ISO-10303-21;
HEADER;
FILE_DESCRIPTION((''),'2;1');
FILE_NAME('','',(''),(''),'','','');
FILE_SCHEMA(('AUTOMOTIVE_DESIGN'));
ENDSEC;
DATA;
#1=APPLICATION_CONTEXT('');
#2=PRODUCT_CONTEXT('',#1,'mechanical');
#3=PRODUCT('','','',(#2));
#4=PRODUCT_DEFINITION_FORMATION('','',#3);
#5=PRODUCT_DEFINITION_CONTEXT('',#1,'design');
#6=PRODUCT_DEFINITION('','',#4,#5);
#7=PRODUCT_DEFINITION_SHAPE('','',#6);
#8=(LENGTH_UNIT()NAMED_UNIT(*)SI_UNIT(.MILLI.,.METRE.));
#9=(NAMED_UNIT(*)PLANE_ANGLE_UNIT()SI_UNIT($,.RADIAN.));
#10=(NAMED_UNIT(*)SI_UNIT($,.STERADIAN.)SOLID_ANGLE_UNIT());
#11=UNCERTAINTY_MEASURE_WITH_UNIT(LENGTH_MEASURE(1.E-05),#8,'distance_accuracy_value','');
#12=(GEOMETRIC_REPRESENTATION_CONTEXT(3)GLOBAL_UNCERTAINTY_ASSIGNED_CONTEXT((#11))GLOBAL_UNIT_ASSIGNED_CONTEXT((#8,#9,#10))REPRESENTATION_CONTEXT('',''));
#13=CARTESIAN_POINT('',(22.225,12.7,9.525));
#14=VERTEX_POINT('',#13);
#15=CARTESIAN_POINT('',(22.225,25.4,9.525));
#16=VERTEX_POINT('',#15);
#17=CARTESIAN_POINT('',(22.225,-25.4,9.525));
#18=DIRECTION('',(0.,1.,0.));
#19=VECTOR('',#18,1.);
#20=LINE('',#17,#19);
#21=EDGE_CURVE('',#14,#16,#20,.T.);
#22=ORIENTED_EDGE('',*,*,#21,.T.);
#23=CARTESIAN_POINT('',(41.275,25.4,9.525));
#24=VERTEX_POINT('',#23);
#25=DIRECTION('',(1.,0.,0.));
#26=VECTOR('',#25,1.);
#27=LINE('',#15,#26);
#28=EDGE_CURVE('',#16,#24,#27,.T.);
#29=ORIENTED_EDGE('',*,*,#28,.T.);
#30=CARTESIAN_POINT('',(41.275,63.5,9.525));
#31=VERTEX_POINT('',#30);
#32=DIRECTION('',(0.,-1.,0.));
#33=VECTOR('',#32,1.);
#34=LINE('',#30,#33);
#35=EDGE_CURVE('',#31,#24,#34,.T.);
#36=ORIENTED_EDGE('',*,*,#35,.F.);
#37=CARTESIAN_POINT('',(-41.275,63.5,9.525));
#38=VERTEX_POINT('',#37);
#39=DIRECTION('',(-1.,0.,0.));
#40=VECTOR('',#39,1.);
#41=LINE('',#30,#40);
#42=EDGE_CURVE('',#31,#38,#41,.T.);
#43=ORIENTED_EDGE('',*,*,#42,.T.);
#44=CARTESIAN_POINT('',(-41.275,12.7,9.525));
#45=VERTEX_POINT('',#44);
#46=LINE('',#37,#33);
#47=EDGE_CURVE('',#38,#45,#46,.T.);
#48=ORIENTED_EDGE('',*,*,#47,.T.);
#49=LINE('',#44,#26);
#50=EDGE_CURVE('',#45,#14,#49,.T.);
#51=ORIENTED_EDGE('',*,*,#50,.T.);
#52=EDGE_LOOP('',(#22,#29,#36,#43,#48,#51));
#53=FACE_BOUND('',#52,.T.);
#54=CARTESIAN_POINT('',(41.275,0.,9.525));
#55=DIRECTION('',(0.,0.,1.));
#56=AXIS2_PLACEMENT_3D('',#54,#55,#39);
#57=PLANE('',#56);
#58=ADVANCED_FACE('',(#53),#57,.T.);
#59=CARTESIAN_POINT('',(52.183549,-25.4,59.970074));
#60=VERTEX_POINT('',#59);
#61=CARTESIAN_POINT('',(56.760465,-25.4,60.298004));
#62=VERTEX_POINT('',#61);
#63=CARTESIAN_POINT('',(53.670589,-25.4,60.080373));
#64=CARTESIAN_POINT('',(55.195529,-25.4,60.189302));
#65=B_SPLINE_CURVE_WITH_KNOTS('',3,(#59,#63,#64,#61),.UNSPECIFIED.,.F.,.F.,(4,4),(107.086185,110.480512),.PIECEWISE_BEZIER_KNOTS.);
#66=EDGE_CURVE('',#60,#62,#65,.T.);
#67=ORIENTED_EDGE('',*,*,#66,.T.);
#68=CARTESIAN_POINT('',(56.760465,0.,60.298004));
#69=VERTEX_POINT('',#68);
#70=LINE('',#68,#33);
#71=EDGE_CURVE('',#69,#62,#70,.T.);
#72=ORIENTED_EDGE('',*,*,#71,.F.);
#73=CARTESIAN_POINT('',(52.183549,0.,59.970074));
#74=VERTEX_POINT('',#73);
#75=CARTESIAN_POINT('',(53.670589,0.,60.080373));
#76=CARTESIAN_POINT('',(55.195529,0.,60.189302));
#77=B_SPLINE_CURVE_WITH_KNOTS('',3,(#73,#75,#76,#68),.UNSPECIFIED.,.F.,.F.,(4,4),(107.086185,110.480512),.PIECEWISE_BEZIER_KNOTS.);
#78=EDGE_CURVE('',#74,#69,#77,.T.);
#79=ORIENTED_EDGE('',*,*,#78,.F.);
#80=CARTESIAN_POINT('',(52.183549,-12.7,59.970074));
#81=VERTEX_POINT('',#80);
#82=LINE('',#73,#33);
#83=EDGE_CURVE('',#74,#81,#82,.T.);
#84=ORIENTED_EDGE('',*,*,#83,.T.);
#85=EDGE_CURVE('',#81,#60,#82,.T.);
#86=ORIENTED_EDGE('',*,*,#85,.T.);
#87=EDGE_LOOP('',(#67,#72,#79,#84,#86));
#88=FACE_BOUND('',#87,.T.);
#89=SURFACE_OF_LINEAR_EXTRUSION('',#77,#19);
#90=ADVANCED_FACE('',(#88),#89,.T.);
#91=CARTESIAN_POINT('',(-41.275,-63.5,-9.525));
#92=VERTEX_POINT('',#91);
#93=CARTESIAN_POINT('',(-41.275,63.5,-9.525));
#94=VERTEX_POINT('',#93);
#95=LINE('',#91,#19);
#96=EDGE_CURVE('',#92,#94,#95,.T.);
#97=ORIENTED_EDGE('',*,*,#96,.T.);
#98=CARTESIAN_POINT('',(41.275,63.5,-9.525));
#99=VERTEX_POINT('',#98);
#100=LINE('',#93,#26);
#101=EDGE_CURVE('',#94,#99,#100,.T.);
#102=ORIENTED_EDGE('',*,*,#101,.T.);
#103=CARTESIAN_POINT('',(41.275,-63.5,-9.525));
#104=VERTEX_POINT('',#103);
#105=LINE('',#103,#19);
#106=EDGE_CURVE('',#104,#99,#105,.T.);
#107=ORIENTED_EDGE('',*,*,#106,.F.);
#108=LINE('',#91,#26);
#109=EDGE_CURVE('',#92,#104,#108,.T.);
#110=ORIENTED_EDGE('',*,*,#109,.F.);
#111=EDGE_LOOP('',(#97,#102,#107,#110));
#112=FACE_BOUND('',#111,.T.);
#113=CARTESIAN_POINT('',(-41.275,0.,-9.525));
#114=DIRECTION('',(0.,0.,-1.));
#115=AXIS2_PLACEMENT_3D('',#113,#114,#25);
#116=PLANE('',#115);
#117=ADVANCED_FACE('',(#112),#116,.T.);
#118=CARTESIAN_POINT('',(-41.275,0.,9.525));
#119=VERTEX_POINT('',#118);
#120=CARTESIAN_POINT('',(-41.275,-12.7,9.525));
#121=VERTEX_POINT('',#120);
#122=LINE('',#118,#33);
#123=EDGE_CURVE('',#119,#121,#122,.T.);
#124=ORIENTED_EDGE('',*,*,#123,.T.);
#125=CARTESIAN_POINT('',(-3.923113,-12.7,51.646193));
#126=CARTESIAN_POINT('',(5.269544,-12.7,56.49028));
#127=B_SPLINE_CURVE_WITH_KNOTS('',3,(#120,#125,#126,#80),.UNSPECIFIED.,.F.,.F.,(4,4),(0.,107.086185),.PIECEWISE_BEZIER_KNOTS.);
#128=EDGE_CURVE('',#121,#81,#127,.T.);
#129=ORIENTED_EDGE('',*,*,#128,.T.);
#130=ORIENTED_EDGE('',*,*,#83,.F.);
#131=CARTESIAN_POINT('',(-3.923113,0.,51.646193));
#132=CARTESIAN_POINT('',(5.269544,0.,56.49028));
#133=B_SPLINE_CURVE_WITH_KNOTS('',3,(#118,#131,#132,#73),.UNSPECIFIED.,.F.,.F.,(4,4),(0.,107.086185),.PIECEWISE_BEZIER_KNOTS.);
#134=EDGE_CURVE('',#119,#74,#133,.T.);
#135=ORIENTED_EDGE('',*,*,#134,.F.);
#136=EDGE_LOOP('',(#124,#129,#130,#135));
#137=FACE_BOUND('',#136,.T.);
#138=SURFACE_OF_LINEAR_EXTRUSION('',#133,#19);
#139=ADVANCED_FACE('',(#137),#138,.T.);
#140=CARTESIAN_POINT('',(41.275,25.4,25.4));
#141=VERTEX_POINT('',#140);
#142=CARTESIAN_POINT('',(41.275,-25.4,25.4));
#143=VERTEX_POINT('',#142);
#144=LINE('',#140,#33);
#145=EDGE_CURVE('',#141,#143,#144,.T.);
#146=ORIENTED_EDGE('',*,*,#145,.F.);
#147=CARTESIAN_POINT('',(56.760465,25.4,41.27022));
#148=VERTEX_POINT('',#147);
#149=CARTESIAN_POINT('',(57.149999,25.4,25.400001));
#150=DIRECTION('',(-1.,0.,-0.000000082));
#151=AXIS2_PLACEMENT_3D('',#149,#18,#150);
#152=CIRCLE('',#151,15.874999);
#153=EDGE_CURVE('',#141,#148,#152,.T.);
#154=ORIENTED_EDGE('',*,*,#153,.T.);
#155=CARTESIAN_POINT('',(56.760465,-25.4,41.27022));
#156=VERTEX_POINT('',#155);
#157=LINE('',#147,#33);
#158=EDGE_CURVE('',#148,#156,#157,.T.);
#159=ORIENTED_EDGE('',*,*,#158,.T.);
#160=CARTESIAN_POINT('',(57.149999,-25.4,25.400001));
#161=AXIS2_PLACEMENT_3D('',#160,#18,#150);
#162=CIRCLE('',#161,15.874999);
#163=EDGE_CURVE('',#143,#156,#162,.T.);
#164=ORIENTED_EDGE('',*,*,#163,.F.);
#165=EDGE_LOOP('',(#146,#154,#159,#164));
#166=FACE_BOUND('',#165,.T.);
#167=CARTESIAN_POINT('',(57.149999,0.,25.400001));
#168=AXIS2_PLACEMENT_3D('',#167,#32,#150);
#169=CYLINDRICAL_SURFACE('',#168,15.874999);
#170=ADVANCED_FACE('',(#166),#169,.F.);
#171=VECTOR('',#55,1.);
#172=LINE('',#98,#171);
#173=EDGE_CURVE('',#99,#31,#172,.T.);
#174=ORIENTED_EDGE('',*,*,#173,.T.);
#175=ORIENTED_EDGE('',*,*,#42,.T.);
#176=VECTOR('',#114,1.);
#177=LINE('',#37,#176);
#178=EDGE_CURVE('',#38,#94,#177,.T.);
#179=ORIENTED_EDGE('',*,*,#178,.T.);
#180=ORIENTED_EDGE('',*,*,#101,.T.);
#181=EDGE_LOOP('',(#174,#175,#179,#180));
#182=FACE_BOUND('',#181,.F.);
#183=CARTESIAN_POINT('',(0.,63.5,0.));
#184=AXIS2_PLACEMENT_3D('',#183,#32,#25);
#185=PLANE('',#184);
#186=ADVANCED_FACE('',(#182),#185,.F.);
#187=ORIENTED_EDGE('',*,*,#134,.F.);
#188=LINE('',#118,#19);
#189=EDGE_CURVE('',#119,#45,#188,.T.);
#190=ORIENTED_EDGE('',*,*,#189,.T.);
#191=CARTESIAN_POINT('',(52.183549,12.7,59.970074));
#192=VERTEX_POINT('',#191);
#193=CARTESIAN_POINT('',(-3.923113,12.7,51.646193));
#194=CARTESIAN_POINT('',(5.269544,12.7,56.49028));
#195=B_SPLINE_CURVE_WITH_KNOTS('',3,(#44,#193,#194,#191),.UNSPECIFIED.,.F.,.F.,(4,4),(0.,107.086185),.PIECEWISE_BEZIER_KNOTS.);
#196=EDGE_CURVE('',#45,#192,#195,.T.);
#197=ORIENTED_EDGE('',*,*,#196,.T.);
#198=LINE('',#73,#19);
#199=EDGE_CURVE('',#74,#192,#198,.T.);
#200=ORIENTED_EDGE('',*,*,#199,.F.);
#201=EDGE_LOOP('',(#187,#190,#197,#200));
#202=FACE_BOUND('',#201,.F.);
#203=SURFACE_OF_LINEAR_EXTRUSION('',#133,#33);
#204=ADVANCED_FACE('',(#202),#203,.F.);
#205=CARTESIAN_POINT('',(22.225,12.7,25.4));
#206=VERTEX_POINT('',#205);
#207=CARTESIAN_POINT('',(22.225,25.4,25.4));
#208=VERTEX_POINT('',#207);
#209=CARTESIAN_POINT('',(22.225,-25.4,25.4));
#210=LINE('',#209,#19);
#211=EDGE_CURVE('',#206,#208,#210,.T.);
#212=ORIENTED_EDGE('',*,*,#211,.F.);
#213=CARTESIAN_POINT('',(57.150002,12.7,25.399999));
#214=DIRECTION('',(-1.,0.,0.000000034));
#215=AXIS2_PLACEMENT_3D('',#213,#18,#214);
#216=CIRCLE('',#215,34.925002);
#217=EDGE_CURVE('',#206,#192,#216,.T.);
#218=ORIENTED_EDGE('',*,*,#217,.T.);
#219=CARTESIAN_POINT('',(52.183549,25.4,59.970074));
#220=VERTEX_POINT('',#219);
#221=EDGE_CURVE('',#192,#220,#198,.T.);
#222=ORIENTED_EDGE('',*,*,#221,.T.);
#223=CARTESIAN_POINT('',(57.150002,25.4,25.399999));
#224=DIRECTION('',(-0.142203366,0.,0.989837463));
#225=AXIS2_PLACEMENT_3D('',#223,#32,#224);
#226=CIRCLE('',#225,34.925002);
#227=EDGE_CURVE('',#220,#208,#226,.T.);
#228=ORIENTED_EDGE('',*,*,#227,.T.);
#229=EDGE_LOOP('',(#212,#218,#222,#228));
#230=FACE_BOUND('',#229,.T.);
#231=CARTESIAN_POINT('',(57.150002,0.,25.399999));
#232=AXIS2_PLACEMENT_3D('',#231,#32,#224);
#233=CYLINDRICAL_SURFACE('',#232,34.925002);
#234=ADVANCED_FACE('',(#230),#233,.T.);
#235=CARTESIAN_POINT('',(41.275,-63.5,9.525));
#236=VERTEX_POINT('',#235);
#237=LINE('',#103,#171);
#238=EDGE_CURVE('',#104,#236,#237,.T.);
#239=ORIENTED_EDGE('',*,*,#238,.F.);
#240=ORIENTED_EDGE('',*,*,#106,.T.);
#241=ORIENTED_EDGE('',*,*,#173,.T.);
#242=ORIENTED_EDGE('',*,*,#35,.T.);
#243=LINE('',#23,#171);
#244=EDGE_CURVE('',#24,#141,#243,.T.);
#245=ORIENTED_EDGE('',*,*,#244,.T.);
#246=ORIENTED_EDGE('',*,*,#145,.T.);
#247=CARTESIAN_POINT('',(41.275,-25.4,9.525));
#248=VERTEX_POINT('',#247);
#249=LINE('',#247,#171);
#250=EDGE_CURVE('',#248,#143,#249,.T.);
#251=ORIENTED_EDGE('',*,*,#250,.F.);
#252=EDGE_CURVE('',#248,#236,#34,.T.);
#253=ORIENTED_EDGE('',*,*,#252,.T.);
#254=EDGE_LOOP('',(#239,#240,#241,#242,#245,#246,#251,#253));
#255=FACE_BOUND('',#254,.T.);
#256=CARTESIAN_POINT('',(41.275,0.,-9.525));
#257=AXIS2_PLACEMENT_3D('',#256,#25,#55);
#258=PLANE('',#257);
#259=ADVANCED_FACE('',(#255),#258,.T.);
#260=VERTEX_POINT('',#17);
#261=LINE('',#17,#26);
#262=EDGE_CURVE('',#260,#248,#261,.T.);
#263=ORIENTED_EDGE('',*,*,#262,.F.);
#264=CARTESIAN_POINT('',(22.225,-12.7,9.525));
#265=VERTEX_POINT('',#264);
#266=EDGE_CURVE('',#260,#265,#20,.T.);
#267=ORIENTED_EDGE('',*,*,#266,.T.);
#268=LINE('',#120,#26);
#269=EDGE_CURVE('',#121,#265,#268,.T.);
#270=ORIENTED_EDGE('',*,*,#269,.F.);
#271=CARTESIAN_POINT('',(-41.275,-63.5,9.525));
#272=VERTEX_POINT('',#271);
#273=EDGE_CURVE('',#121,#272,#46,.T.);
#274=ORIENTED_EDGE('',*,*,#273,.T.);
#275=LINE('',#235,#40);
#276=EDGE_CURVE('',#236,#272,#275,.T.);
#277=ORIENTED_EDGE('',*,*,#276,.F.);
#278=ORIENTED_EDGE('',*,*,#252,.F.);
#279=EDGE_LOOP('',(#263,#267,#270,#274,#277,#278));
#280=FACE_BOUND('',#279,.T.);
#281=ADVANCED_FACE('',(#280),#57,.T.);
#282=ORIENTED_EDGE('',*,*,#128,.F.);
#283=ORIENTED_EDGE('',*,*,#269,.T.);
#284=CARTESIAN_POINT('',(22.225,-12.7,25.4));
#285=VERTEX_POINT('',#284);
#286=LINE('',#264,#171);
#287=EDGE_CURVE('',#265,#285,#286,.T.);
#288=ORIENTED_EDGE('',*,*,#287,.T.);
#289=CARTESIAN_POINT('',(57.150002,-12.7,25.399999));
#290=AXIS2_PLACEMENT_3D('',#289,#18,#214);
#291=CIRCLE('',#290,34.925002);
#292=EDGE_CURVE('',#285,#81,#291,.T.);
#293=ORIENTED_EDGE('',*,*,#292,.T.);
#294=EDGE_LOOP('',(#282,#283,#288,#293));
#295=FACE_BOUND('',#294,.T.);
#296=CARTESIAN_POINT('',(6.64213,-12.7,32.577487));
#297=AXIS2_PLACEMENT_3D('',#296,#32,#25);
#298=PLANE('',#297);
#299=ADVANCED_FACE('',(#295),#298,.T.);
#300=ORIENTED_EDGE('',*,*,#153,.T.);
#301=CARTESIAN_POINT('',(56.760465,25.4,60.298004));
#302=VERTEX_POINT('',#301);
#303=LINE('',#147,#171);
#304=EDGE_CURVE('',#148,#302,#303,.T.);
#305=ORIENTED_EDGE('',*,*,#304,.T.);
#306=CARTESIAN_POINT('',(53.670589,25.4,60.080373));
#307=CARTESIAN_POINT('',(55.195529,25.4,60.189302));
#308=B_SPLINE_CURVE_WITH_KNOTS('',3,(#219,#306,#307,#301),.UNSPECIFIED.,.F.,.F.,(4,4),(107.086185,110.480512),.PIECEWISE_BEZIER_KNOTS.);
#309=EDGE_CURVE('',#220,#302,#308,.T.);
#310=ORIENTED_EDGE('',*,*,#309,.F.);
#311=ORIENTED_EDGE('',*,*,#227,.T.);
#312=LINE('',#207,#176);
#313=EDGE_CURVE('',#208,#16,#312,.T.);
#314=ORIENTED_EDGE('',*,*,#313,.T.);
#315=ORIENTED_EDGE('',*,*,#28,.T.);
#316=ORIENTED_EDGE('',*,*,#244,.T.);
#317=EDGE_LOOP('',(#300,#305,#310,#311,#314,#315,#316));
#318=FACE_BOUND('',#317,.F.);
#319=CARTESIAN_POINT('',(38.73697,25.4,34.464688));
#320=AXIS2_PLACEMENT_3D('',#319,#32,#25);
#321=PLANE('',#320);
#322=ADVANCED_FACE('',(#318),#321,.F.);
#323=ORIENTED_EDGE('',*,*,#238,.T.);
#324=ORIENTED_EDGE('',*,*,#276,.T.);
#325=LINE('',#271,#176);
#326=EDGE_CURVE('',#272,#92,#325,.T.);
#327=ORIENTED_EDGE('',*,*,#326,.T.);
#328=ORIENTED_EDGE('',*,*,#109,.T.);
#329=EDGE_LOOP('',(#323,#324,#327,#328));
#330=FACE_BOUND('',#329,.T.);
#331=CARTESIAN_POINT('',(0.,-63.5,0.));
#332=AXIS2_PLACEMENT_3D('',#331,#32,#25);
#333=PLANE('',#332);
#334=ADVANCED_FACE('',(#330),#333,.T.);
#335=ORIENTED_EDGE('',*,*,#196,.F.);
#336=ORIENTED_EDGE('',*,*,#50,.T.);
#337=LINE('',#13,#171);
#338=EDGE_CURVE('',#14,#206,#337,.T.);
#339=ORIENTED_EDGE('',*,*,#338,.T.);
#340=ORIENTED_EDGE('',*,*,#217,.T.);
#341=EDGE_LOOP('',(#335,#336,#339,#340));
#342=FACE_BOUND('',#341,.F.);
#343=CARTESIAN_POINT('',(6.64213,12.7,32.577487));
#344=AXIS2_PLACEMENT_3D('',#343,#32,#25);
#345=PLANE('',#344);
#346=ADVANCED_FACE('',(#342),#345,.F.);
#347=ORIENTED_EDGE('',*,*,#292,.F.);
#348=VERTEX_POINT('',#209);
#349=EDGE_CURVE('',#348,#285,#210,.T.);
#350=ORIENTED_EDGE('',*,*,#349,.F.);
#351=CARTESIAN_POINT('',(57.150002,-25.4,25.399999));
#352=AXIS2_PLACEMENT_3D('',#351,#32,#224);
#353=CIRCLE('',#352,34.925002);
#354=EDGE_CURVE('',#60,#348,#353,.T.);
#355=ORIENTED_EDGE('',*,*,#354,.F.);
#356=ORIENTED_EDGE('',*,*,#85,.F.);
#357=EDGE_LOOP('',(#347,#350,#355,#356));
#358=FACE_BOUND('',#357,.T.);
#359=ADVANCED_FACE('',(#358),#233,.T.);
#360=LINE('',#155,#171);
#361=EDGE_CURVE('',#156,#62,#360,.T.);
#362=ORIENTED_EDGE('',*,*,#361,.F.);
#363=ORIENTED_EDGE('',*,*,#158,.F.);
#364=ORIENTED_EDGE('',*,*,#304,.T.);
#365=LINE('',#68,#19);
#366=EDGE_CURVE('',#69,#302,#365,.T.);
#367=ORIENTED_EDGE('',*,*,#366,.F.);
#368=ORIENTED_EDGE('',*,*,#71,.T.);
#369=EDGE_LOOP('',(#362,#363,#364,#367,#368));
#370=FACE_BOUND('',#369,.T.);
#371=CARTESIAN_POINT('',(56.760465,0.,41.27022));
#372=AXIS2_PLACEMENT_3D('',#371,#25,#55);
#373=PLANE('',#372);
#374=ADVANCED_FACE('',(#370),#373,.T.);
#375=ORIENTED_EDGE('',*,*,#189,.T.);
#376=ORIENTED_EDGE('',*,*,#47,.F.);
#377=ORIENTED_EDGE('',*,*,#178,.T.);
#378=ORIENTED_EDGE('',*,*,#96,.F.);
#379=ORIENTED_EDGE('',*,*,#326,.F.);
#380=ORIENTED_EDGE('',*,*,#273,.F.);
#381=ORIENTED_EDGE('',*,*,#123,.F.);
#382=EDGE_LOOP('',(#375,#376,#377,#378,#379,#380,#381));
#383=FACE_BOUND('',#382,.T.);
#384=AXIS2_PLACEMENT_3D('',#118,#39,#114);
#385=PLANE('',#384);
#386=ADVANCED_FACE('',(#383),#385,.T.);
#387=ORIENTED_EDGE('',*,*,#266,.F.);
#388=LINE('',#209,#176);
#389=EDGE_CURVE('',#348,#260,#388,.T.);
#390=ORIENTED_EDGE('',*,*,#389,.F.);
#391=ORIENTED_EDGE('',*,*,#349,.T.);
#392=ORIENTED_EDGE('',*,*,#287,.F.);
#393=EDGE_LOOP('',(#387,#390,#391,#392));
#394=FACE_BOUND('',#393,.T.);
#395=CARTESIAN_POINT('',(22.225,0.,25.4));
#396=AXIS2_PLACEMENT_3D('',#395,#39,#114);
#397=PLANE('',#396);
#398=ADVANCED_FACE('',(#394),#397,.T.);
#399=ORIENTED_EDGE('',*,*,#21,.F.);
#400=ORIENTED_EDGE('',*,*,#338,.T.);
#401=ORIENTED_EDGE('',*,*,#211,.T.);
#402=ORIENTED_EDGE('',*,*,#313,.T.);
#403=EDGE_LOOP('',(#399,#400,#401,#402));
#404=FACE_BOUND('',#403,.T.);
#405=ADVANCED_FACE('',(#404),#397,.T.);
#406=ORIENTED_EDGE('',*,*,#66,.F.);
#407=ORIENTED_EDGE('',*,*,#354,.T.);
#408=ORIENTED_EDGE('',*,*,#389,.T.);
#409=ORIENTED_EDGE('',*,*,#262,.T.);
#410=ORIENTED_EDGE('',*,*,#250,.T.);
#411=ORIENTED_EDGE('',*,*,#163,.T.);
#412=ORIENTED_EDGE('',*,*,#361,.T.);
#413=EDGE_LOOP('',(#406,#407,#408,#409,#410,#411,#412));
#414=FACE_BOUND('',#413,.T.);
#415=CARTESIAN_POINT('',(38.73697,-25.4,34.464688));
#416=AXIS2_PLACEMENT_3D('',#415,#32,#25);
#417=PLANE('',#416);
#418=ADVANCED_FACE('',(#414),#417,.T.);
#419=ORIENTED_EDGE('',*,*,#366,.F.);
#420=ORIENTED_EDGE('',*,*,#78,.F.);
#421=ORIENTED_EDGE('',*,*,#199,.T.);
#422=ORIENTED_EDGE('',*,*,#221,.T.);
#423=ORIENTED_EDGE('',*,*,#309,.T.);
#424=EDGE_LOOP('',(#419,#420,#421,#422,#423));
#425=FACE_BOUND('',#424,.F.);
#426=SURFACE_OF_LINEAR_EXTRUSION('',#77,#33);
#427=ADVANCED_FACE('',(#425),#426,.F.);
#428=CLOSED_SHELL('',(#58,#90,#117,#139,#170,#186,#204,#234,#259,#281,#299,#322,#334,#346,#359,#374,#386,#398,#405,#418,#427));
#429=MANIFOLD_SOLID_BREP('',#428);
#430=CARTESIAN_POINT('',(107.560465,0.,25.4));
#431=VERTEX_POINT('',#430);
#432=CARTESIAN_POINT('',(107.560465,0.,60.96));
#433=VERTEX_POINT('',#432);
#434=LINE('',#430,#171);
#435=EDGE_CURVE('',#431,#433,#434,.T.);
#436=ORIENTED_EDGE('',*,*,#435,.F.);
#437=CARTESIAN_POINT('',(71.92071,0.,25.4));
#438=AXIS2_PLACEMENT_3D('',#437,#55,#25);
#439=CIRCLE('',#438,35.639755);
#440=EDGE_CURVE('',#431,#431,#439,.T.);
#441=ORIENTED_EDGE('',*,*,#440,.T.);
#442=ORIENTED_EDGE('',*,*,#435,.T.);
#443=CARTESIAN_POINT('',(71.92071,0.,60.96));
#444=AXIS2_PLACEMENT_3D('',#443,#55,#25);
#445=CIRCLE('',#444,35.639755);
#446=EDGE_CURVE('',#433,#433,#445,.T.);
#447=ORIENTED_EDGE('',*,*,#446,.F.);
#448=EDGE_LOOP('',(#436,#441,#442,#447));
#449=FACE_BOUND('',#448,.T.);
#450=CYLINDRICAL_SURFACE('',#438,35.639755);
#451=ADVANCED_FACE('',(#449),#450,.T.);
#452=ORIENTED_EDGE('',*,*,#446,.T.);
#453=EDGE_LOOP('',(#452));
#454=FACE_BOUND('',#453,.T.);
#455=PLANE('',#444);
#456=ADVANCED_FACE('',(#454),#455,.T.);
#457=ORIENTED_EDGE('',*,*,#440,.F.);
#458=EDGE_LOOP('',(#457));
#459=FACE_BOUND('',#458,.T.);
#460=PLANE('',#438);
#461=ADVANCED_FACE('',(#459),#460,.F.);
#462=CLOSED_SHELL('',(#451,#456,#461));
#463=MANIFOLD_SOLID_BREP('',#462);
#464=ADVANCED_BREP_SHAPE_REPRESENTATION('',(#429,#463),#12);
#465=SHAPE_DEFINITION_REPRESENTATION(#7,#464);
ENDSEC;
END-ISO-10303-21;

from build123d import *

# Parameters (mm, degrees)
F1_DEPTH = 63.5
F2_DEPTH = 25.4
F3_DEPTH = 12.7


with BuildPart() as f1:
    # F0 (on Front) → F1 (new body, symmetric)
    with BuildSketch(Plane.XZ):
        Polygon((41.275, -9.525), (41.275, 9.525), (22.225, 9.525), (-41.275, 9.525), (-41.275, -9.525), align=None)
    extrude(amount=F1_DEPTH, both=True)

    # F0 (on Front) → F2 (join, symmetric)
    with BuildSketch(Plane.XZ):
        with BuildLine():
            Line((22.225, 9.525), (41.275, 9.525))
            Line((41.275, 9.525), (41.275, 25.4))
            ThreePointArc((41.275, 25.4), (45.787793, 36.486744), (56.760465, 41.27022))
            Line((56.760465, 41.27022), (56.760465, 60.298004))
            add(Edge.make_bspline(
                [(52.183549, 59.970074), (53.670589, 60.080373), (55.195529, 60.189302), (56.760465, 60.298004)],
                knots=[107.086185, 107.086185, 107.086185, 107.086185, 110.480512, 110.480512, 110.480512, 110.480512], degree=3))
            ThreePointArc((52.183549, 59.970074), (30.756735, 48.272498), (22.225, 25.4))
            Line((22.225, 25.4), (22.225, 9.525))
        make_face()
    extrude(amount=F2_DEPTH, both=True)

    # F0 (on Front) → F3 (join, symmetric)
    with BuildSketch(Plane.XZ):
        with BuildLine():
            Line((-41.275, 9.525), (22.225, 9.525))
            Line((22.225, 9.525), (22.225, 25.4))
            ThreePointArc((22.225, 25.4), (30.756735, 48.272498), (52.183549, 59.970074))
            add(Edge.make_bspline(
                [(-41.275, 9.525), (-3.923113, 51.646193), (5.269544, 56.49028), (52.183549, 59.970074)],
                knots=[0, 0, 0, 0, 107.086185, 107.086185, 107.086185, 107.086185], degree=3))
        make_face()
    extrude(amount=F3_DEPTH, both=True)


with BuildPart() as f4:
    # F0 (on Front) → F4 (revolve)
    with BuildSketch(Plane.XZ):
        Polygon((71.92071, 41.275), (71.92071, 25.4), (107.560465, 25.4), (107.560465, 60.96), (71.92071, 60.96), (71.92071, 60.325), align=None)
    revolve(axis=Axis((71.92071, 0, 43.18), (0, 0, 1)))


solid = Compound([f1.part, f4.part])
